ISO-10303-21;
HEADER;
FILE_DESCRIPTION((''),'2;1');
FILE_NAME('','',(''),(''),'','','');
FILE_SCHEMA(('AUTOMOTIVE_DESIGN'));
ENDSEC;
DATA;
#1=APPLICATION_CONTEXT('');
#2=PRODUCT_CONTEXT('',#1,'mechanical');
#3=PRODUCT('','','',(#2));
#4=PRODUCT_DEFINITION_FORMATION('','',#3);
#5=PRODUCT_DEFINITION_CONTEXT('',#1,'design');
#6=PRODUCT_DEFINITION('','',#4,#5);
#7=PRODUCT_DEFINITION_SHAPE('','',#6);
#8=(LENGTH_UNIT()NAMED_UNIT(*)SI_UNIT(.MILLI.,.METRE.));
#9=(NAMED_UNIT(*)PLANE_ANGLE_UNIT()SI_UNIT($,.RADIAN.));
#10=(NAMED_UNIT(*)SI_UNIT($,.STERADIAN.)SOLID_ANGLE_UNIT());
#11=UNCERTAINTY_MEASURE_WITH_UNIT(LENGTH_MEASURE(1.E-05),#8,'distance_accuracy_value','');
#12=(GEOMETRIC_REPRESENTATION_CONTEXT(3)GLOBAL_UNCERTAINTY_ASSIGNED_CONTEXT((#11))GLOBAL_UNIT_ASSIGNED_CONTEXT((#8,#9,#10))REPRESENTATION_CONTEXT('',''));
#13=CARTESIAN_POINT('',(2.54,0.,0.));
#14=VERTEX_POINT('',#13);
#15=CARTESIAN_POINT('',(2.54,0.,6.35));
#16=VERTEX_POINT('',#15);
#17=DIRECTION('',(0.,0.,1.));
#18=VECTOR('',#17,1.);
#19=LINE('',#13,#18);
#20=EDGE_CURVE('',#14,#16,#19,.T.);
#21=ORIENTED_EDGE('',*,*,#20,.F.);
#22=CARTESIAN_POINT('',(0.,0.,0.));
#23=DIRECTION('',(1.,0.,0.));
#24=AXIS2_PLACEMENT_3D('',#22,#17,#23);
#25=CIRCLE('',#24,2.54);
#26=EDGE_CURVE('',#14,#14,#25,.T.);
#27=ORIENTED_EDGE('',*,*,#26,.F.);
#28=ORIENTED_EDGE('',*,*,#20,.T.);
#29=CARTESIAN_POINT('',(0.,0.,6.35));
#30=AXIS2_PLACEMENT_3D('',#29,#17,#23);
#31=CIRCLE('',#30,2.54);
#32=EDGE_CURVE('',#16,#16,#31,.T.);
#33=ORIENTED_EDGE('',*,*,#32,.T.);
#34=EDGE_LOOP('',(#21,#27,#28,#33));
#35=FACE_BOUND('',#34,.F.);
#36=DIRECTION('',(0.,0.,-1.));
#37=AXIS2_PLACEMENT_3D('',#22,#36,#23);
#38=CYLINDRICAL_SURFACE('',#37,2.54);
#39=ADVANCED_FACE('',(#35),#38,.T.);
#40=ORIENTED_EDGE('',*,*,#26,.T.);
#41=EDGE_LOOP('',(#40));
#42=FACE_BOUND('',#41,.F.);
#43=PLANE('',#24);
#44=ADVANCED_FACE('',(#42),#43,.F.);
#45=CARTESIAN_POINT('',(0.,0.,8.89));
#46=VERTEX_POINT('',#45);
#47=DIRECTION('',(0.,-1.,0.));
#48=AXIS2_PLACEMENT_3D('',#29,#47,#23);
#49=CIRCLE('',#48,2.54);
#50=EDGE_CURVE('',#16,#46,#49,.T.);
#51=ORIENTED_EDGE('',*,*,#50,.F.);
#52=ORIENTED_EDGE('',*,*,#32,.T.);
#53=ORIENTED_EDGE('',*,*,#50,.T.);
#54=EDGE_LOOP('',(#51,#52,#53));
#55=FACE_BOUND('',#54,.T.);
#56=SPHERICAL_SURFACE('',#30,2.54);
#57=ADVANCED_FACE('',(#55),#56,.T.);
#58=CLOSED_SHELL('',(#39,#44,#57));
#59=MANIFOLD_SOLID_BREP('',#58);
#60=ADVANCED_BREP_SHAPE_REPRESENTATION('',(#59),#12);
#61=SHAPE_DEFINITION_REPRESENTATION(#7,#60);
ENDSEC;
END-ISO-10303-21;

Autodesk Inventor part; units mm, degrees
ref_plane "YZ Plane" through (0, 0, 0) normal (1, 0, 0) x (0, 1, 0)
ref_plane "XZ Plane" through (0, 0, 0) normal (0, 1, 0) x (-1, 0, 0)
ref_plane "XY Plane" through (0, 0, 0) normal (0, 0, 1) x (1, 0, 0)
sketch "Sketch1" plane through (0, 0, 0) normal (0, 0, 1) x (1, 0, 0)
  circle A0 centre (0, 0) radius 2.54
  dimension "d0" = 5.08
extrude "Extrusion1" add sketch "Sketch1" along normal blind 8.89
fillet "Fillet1" radius 2.54 1 edges at (-2.54, 0, 8.89)
properties part number "IRRX" material "Polycarbonate, Clear"
